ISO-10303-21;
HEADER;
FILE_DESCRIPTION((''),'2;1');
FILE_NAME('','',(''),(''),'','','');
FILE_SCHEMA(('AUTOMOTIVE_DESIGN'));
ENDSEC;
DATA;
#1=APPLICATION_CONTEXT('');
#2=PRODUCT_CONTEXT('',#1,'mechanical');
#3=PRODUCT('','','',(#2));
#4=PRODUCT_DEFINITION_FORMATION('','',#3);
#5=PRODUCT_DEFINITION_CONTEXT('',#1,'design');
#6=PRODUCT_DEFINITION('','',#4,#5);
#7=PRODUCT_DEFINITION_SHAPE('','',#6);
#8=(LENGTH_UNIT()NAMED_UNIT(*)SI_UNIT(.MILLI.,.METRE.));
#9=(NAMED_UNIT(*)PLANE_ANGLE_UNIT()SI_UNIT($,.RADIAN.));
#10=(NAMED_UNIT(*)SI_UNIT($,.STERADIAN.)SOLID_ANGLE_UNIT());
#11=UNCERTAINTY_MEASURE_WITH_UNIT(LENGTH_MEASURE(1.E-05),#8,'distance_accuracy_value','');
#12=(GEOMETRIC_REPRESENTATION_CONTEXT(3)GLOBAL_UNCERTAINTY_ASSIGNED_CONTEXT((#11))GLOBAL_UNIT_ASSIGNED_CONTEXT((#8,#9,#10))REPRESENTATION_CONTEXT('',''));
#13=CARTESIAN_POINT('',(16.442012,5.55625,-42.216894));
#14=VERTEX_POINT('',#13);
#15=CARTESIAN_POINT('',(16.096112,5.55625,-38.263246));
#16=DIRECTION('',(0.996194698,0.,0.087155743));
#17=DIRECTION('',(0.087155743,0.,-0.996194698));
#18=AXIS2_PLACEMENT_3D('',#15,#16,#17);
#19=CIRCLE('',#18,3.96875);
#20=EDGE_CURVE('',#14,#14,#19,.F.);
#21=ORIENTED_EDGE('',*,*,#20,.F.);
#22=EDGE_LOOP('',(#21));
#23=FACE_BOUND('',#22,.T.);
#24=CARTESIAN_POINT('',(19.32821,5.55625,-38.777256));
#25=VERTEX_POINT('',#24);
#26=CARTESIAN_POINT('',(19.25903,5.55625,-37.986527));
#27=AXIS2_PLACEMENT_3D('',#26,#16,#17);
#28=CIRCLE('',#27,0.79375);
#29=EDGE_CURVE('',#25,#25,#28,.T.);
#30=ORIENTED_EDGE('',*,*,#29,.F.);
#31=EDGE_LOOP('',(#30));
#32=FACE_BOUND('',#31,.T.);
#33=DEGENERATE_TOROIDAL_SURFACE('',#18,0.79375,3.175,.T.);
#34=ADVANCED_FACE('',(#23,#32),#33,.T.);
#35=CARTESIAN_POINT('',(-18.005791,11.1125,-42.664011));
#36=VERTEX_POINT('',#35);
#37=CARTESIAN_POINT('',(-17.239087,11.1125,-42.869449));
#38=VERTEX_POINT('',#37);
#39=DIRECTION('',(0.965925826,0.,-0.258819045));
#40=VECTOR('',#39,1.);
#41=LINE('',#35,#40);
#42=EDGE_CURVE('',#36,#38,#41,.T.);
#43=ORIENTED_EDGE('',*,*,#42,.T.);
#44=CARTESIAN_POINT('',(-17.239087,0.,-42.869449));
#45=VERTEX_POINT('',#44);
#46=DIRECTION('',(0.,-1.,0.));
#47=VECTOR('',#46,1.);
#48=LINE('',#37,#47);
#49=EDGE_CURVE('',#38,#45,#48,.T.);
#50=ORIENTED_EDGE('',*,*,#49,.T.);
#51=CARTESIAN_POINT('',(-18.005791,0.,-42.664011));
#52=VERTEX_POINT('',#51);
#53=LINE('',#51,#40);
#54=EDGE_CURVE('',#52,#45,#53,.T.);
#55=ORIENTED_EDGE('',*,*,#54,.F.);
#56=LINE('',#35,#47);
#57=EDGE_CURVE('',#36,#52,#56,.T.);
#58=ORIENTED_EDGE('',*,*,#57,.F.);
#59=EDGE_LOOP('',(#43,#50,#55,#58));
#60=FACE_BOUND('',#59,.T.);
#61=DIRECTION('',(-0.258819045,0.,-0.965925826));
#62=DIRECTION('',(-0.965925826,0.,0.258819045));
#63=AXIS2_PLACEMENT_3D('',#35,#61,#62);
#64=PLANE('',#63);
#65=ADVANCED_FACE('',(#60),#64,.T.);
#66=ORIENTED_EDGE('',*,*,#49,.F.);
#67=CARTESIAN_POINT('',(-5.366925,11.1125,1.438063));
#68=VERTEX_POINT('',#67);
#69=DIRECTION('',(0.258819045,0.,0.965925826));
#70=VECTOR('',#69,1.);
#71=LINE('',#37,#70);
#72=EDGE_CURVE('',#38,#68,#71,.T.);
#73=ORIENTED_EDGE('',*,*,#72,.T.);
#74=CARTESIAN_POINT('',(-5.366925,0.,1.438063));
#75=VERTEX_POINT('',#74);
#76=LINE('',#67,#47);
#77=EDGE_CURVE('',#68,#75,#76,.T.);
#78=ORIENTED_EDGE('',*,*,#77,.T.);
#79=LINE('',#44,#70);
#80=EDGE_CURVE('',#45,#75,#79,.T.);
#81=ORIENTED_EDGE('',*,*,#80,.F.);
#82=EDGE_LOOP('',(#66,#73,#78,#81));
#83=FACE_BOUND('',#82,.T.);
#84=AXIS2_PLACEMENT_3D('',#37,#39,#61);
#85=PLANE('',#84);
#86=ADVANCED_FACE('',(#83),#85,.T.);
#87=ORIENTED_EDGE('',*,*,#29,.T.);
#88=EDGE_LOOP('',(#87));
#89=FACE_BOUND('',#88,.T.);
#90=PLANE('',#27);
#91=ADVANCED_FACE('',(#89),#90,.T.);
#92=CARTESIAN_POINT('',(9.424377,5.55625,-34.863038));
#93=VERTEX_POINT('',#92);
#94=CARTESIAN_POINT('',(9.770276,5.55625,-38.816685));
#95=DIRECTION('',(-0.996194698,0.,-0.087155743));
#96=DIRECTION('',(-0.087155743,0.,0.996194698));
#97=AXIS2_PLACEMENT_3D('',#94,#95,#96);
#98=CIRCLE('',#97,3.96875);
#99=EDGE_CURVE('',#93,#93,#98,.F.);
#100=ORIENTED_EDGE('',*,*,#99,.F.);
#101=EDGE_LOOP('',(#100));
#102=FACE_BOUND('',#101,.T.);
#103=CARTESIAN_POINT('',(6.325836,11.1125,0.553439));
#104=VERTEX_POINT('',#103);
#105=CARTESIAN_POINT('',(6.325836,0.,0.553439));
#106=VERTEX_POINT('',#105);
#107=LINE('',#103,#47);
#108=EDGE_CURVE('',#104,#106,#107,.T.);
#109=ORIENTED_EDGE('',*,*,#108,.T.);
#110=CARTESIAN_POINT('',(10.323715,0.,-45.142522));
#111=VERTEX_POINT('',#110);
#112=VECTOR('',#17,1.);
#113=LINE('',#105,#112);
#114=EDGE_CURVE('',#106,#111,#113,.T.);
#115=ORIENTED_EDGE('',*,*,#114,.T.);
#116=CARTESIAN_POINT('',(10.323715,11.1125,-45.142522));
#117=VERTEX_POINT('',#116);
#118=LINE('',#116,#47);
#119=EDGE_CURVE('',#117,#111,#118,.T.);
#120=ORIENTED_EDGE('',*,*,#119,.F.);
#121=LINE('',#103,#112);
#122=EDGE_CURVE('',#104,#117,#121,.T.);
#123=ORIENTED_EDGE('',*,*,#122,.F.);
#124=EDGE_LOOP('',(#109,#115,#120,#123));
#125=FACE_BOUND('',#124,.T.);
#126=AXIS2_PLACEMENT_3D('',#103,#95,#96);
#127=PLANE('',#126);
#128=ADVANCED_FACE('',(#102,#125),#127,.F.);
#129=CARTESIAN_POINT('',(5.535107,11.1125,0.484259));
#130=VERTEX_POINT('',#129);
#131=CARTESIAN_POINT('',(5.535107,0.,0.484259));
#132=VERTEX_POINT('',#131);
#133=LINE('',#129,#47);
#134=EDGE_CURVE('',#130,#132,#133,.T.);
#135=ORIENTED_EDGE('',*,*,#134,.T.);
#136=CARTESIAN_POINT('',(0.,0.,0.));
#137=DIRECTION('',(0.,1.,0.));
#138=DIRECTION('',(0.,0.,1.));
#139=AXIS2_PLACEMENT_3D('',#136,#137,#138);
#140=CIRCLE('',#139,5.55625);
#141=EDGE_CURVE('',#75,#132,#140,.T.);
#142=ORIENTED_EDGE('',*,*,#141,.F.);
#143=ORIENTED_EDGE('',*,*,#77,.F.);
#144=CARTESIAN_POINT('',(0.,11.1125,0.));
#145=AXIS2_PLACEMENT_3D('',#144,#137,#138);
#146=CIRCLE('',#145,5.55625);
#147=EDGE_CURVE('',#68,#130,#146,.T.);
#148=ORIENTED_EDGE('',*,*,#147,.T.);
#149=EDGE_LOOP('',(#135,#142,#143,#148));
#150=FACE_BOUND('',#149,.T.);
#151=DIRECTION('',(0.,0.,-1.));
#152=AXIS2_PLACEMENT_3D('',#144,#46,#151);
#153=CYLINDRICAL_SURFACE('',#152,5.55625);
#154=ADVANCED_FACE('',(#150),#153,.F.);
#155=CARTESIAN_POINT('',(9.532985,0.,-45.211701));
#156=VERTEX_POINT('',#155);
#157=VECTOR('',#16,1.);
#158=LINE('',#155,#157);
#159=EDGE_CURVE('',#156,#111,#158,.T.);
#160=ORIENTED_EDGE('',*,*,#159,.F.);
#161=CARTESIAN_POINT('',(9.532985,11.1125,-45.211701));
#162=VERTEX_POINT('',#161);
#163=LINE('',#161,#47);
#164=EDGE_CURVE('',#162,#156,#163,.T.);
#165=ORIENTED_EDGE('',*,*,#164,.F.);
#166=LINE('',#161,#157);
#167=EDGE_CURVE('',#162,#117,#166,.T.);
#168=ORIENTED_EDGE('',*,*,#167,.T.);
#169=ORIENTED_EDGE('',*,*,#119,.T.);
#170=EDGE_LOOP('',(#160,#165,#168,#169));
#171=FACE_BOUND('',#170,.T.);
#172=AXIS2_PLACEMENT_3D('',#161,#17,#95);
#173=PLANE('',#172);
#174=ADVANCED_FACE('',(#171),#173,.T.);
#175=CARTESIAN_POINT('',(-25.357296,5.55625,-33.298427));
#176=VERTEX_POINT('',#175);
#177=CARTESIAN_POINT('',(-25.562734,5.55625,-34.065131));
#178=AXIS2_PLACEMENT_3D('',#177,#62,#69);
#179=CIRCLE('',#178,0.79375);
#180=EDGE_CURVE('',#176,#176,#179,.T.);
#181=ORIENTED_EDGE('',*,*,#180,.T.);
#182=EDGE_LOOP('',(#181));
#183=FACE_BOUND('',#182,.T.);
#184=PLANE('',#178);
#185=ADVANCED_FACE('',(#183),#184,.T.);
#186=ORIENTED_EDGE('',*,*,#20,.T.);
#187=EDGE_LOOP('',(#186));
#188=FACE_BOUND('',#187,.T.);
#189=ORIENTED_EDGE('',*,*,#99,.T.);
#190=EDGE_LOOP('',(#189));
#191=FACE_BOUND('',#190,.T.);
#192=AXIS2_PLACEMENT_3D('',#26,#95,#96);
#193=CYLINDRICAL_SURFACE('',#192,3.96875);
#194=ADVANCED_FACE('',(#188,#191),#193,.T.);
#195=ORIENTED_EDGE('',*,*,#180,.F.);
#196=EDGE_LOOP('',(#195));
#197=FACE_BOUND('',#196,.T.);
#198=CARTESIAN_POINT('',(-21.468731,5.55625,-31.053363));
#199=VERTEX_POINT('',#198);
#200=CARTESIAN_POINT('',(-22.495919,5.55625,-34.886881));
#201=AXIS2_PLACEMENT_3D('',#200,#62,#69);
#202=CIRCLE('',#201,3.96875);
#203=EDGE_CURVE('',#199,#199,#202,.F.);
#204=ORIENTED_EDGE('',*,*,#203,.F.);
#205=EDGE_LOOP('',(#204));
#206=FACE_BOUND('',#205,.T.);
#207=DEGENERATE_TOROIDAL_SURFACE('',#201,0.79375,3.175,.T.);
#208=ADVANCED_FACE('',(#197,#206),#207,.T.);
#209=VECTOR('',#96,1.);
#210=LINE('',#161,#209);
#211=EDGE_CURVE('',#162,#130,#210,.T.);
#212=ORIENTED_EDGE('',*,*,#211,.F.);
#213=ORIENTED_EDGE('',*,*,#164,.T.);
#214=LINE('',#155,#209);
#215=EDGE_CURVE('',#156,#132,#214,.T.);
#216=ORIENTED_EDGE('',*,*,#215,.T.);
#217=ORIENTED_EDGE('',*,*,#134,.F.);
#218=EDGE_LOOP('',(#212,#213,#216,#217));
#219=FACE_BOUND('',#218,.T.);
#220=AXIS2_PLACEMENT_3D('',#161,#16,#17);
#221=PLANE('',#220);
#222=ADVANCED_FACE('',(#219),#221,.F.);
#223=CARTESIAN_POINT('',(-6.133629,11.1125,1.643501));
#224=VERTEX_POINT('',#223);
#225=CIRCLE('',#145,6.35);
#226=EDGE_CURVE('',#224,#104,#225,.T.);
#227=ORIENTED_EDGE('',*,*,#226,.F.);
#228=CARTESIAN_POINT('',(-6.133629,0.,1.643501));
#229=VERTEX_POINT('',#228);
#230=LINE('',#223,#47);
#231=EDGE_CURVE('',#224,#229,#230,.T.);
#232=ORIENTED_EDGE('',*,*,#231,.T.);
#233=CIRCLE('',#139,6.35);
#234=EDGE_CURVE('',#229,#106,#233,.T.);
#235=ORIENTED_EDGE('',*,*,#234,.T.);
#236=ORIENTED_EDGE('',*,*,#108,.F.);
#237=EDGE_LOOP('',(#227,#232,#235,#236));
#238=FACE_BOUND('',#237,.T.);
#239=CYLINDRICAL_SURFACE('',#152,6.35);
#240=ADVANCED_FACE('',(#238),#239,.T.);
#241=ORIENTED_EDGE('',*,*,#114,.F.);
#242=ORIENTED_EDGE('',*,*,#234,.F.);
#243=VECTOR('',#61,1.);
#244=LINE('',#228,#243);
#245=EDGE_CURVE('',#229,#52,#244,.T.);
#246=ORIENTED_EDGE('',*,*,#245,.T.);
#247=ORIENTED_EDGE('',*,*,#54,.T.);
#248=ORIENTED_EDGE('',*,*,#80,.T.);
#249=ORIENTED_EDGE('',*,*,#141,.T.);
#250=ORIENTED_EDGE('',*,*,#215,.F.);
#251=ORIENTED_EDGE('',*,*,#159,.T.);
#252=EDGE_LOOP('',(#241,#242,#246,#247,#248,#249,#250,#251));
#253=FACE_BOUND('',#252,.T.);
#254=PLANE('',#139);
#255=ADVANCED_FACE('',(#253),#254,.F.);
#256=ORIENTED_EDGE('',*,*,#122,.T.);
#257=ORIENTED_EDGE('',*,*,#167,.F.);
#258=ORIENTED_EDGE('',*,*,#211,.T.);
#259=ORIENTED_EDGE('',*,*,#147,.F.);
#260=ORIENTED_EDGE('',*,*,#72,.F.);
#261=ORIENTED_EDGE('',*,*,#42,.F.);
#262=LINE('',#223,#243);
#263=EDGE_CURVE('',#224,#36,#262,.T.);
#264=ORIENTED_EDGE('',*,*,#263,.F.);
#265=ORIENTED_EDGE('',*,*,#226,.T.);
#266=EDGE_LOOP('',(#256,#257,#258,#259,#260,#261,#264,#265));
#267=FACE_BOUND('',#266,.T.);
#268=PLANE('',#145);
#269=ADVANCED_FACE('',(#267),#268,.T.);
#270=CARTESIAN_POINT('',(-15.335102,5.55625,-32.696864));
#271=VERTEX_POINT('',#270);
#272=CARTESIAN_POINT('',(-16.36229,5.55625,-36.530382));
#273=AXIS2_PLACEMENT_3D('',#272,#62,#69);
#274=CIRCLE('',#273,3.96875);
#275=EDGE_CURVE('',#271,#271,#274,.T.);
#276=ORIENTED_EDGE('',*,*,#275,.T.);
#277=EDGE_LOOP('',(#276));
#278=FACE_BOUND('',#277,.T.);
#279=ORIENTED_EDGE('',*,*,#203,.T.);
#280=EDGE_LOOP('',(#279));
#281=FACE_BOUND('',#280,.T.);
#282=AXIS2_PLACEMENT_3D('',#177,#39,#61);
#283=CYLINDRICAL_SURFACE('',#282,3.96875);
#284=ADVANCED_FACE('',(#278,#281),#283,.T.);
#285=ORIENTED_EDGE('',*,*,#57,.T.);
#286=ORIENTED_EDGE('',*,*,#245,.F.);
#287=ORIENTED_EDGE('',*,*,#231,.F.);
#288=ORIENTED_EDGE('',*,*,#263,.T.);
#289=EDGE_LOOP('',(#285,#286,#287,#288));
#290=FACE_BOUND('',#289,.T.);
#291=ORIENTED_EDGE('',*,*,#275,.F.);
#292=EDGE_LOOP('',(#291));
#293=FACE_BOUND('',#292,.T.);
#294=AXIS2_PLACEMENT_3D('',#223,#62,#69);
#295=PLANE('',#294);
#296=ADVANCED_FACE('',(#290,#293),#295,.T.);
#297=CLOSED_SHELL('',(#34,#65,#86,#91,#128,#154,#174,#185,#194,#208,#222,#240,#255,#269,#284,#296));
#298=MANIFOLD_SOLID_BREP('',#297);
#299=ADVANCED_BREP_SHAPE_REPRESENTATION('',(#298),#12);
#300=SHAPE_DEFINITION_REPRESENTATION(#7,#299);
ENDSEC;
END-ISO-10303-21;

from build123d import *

# Parameters (mm, degrees)
BOSS_EXTRUDE1_DEPTH = 11.1125
SKETCH2_R           = 3.96875
BOSS_EXTRUDE2_DEPTH = 9.525
SKETCH4_R           = 3.96875
BOSS_EXTRUDE3_DEPTH = 9.525
FILLET1_R           = 3.175


with BuildPart() as part:
    # Sketch1 → Boss-Extrude1 (new body)
    with BuildSketch(Plane(origin=(0, 0, 0), x_dir=(1, 0, 0), z_dir=(0, 1, 0))):
        with BuildLine():
            Line((-6.133628997, -1.643500936), (-18.005791029, 42.664010964))
            Line((-18.005791029, 42.664010964), (-17.239087405, 42.869448581))
            Line((-17.239087405, 42.869448581), (-5.366925372, -1.438063319))
            ThreePointArc((-5.366925372, -1.438063319), (0.484259096, -5.535106791), (5.535106791, -0.484259096))
            Line((5.535106791, -0.484259096), (9.532985307, 45.211701443))
            Line((9.532985307, 45.211701443), (10.323714849, 45.142521572))
            Line((10.323714849, 45.142521572), (6.325836333, -0.553438966))
            ThreePointArc((6.325836333, -0.553438966), (0.553438966, -6.325836333), (-6.133628997, -1.643500936))
        make_face()
    extrude(amount=BOSS_EXTRUDE1_DEPTH)

    # Sketch2 → Boss-Extrude2 (add)
    with BuildSketch(Plane(origin=(6.325836333, 0, 0.553438966), x_dir=(0.08715574274765789, 0, -0.9961946980917457), z_dir=(0.9961946980917457, 0, 0.08715574274765789))):
        with Locations(Location((39.520511684, 5.55625, 0), (0, 0, 180))):
            Circle(SKETCH2_R)
    extrude(amount=BOSS_EXTRUDE2_DEPTH)

    # Sketch4 → Boss-Extrude3 (add)
    with BuildSketch(Plane(origin=(-6.133628997, 0, 1.643500936), x_dir=(0.2588190451025218, 0, 0.9659258262890681), z_dir=(-0.9659258262890681, 0, 0.2588190451025218))):
        with Locations((-39.520511684, 5.55625)):
            Circle(SKETCH4_R)
    extrude(amount=BOSS_EXTRUDE3_DEPTH)

    # Fillet1
    fillet1_edges = [part.edges().sort_by_distance(p)[0] for p in [
        (19.604929736, 5.55625, -41.940174498),
        (-26.589921674, 5.55625, -37.898648686),
    ]]
    fillet(fillet1_edges, radius=FILLET1_R)


solid = part.part
